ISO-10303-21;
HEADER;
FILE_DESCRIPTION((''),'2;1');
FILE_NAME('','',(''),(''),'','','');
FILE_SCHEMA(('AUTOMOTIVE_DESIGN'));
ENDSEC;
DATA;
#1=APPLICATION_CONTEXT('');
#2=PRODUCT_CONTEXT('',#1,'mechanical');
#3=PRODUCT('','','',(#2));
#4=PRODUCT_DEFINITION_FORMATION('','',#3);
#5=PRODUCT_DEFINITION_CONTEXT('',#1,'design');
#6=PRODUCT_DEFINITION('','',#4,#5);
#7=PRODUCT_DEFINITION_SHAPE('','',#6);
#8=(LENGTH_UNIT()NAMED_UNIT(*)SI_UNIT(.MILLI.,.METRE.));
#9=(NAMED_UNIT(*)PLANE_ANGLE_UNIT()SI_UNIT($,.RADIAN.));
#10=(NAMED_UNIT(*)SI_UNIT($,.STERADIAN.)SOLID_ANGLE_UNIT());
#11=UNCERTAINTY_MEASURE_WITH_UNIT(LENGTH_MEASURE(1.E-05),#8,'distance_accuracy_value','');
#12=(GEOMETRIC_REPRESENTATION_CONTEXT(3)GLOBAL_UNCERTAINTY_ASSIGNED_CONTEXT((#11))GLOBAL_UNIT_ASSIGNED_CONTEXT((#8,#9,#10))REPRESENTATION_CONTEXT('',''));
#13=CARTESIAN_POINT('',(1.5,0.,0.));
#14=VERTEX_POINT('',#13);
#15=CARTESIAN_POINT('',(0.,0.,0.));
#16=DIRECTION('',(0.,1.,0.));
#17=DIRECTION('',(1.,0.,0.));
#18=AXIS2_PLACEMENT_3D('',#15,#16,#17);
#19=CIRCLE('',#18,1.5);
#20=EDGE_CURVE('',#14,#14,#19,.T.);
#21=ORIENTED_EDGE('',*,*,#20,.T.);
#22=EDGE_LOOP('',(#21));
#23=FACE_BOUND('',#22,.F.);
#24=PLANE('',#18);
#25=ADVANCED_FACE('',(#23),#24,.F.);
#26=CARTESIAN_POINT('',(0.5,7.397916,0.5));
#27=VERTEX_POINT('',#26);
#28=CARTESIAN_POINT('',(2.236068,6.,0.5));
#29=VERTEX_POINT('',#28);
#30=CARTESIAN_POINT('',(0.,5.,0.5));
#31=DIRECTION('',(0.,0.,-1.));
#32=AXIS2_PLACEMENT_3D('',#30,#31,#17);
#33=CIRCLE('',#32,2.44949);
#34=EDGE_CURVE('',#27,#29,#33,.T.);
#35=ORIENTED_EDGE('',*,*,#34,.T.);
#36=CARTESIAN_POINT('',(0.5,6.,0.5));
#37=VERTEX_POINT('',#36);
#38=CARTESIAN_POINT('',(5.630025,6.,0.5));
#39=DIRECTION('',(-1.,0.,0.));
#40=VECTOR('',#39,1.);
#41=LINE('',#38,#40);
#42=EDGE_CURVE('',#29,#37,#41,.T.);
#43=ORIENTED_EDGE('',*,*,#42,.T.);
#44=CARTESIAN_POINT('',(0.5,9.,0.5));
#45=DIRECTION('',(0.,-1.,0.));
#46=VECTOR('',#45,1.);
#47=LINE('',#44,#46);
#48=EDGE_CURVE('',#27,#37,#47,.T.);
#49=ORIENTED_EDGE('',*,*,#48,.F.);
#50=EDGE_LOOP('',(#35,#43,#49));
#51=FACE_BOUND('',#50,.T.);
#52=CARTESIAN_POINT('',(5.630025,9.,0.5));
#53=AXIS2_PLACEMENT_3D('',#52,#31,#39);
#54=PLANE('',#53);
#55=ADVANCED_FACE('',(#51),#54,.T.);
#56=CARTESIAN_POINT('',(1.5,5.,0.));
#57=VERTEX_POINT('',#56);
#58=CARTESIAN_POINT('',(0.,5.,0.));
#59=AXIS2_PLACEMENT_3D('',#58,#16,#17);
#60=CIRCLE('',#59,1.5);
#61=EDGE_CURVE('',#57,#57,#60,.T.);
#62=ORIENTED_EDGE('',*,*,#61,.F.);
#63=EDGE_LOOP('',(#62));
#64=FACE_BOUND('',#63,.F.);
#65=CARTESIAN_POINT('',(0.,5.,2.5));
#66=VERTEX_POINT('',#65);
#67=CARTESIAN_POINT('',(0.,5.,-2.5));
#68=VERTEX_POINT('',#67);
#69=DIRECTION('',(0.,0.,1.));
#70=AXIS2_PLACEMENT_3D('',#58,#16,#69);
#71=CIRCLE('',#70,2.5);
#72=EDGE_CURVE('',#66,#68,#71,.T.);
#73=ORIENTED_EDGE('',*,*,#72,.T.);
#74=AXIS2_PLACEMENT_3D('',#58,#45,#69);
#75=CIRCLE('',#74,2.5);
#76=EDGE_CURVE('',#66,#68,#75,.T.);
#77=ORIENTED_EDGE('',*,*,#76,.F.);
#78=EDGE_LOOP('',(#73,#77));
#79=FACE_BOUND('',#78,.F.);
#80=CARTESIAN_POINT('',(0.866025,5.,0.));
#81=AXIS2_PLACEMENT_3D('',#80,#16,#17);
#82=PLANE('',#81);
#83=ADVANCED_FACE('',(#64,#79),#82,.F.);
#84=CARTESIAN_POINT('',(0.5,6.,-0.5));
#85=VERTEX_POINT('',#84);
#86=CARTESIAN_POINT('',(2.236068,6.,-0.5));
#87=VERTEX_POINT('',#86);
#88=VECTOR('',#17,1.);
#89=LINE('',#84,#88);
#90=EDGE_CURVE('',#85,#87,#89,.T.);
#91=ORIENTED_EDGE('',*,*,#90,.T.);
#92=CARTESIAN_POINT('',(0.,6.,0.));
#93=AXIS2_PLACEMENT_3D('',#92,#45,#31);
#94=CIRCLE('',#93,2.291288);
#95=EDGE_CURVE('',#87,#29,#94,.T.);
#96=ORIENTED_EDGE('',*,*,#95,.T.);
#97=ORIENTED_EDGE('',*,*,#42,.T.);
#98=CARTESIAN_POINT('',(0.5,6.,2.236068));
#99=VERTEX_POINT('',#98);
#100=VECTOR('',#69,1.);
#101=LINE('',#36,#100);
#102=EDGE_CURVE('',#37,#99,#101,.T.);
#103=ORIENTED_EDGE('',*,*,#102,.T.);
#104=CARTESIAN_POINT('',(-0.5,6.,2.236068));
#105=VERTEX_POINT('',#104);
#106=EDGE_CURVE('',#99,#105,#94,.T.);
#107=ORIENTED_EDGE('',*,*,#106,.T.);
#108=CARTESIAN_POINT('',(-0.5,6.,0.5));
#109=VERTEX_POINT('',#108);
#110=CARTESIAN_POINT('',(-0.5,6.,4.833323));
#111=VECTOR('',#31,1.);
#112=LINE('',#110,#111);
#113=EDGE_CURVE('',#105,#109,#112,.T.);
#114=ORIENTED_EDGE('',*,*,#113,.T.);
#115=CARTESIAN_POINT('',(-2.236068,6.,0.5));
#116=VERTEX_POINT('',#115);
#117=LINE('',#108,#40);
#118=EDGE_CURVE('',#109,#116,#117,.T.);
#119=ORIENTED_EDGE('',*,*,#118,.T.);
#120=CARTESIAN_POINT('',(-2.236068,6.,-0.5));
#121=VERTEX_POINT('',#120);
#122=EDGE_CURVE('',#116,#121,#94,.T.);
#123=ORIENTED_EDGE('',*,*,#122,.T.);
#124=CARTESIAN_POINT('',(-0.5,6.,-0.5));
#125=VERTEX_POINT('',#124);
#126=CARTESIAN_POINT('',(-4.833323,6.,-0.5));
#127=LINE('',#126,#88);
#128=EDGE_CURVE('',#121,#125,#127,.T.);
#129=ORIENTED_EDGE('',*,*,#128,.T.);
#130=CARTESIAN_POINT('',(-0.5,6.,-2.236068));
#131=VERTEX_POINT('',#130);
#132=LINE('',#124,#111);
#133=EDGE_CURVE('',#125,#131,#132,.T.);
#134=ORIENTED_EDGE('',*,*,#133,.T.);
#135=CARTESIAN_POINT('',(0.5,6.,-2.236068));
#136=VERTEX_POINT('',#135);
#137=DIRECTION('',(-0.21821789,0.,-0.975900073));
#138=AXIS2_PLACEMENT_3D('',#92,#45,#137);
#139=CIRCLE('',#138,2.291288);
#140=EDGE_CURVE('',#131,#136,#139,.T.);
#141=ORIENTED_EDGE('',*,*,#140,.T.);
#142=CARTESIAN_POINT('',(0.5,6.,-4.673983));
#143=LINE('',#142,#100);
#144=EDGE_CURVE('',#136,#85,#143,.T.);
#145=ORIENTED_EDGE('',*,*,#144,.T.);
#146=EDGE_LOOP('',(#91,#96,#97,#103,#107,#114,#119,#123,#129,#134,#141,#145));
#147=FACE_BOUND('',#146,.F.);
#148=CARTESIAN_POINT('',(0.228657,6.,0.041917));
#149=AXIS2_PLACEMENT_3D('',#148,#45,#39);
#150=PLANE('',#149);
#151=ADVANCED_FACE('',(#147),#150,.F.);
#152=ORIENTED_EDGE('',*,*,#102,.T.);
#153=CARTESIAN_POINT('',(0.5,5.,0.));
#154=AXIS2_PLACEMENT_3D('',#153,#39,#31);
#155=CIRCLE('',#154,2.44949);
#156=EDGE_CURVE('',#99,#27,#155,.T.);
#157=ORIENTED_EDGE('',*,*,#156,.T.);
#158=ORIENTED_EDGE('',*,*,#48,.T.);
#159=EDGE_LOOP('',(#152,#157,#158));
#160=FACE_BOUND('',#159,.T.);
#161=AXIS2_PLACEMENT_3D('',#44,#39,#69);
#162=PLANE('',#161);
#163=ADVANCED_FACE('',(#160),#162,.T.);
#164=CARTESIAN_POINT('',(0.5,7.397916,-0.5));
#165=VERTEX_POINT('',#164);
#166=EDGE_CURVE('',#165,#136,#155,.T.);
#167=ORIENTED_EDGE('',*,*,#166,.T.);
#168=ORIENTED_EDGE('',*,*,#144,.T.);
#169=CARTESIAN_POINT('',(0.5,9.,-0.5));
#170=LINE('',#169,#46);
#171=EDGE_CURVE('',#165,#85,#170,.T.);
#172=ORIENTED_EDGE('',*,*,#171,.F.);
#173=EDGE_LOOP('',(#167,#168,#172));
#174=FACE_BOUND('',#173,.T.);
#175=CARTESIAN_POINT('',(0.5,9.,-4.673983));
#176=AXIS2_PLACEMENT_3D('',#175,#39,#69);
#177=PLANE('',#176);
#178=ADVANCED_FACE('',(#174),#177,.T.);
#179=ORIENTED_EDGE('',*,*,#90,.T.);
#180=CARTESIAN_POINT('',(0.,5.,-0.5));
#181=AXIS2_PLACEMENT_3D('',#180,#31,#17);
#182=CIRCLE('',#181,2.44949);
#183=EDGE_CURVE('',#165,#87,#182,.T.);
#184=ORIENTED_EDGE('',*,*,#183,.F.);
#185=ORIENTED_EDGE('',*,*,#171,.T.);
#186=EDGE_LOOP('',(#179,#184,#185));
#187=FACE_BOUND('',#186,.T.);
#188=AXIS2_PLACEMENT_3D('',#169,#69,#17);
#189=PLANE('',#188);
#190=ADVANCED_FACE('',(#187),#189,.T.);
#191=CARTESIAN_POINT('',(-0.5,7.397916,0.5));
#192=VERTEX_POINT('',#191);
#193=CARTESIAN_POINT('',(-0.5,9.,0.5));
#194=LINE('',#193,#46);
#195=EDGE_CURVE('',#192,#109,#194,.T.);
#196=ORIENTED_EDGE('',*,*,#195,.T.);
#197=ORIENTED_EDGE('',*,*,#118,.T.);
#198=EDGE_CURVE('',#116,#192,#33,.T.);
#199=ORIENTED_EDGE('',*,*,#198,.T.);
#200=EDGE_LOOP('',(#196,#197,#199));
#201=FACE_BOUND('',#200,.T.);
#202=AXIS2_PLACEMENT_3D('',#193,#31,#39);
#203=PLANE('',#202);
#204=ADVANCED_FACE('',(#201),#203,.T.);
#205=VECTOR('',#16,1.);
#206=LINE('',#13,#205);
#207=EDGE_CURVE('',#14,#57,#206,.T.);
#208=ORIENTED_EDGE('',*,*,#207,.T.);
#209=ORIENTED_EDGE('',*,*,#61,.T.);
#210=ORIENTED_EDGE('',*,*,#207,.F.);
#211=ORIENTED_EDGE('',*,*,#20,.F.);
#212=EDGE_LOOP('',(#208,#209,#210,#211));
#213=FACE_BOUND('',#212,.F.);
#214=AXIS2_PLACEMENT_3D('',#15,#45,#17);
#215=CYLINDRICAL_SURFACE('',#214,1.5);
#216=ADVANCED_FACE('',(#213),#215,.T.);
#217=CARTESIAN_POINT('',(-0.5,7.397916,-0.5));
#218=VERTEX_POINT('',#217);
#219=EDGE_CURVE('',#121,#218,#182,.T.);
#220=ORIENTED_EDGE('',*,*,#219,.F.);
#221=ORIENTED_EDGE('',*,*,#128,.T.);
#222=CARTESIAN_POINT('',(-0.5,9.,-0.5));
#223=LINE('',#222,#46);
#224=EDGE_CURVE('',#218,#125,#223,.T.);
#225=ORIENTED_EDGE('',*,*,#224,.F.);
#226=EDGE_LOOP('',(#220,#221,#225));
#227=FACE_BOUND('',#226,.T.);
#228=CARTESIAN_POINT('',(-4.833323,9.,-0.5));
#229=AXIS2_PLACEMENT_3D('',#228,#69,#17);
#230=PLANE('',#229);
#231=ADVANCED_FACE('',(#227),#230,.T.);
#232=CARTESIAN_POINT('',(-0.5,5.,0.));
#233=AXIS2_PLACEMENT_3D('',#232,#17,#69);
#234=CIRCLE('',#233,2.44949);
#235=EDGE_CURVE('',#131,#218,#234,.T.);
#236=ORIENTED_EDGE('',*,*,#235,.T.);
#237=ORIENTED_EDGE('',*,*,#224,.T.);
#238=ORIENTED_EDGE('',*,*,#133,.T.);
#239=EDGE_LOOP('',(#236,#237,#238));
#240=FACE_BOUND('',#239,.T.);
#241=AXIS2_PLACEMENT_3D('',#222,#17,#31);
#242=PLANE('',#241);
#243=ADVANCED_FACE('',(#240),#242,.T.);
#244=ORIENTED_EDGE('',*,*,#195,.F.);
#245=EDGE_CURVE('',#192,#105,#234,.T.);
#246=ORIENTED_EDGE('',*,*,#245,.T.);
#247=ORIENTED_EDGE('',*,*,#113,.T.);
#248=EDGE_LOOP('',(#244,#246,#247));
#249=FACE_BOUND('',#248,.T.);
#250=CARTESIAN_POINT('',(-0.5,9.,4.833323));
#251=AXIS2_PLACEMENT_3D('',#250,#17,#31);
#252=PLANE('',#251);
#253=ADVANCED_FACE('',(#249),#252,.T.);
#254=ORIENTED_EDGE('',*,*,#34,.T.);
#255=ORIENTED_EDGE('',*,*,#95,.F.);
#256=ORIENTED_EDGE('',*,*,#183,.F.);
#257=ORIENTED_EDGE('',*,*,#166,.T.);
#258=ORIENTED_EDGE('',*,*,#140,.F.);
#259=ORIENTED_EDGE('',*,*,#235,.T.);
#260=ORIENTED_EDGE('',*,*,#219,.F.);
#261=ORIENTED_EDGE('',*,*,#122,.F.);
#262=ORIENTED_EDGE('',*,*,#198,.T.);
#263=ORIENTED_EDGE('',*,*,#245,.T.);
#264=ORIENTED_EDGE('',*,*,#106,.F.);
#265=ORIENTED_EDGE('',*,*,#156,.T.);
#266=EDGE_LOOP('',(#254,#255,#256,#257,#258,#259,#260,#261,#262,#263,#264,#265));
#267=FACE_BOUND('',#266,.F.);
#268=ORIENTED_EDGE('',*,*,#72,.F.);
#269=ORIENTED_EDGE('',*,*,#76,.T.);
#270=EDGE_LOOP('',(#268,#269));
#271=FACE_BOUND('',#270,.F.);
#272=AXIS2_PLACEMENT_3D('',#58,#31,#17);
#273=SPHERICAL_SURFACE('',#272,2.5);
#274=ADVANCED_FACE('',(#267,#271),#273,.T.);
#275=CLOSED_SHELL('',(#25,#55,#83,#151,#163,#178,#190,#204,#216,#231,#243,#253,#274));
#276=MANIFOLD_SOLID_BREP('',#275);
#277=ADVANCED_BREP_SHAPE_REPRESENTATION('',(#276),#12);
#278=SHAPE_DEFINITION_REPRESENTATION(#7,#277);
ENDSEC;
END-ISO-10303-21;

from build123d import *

# Parameters (mm, degrees)
SKETCH1_R           = 1.5
BOSS_EXTRUDE1_DEPTH = 5
REVOLVE1_ANGLE      = 180
CUT_EXTRUDE1_DEPTH  = 3


with BuildPart() as part:
    # Sketch1 → Boss-Extrude1 (new body)
    with BuildSketch(Plane(origin=(0, 0, 0), x_dir=(1, 0, 0), z_dir=(0, 1, 0))):
        Circle(SKETCH1_R)
    extrude(amount=BOSS_EXTRUDE1_DEPTH)

    # Sketch2 → Revolve1 (revolve)
    with BuildSketch(Plane(origin=(0, 5, 0), x_dir=(1, 0, 0), z_dir=(0, 1, 0))):
        with BuildLine():
            Line((0, 2.5), (0, -2.5))
            ThreePointArc((0, -2.5), (2.5, 0), (0, 2.5))
        make_face()
    revolve(axis=Axis((0, 5, -2.5), (0, 0, 1)), revolution_arc=REVOLVE1_ANGLE)

    # Sketch3 → Cut-Extrude1 (cut)
    with BuildSketch(Plane(origin=(0, 9, 0), x_dir=(1, 0, 0), z_dir=(0, 1, 0))):
        Polygon((0.5, 0.5), (5.630024771, 0.5), (5.630024771, -0.5), (0.5, -0.5), (0.5, -4.833323152), (-0.5, -4.833323152), (-0.5, -0.5), (-4.833323152, -0.5), (-4.833323152, 0.5), (-0.5, 0.5), (-0.5, 4.673982829), (0.5, 4.673982829), align=None)
    extrude(amount=-CUT_EXTRUDE1_DEPTH, mode=Mode.SUBTRACT)


solid = part.part
